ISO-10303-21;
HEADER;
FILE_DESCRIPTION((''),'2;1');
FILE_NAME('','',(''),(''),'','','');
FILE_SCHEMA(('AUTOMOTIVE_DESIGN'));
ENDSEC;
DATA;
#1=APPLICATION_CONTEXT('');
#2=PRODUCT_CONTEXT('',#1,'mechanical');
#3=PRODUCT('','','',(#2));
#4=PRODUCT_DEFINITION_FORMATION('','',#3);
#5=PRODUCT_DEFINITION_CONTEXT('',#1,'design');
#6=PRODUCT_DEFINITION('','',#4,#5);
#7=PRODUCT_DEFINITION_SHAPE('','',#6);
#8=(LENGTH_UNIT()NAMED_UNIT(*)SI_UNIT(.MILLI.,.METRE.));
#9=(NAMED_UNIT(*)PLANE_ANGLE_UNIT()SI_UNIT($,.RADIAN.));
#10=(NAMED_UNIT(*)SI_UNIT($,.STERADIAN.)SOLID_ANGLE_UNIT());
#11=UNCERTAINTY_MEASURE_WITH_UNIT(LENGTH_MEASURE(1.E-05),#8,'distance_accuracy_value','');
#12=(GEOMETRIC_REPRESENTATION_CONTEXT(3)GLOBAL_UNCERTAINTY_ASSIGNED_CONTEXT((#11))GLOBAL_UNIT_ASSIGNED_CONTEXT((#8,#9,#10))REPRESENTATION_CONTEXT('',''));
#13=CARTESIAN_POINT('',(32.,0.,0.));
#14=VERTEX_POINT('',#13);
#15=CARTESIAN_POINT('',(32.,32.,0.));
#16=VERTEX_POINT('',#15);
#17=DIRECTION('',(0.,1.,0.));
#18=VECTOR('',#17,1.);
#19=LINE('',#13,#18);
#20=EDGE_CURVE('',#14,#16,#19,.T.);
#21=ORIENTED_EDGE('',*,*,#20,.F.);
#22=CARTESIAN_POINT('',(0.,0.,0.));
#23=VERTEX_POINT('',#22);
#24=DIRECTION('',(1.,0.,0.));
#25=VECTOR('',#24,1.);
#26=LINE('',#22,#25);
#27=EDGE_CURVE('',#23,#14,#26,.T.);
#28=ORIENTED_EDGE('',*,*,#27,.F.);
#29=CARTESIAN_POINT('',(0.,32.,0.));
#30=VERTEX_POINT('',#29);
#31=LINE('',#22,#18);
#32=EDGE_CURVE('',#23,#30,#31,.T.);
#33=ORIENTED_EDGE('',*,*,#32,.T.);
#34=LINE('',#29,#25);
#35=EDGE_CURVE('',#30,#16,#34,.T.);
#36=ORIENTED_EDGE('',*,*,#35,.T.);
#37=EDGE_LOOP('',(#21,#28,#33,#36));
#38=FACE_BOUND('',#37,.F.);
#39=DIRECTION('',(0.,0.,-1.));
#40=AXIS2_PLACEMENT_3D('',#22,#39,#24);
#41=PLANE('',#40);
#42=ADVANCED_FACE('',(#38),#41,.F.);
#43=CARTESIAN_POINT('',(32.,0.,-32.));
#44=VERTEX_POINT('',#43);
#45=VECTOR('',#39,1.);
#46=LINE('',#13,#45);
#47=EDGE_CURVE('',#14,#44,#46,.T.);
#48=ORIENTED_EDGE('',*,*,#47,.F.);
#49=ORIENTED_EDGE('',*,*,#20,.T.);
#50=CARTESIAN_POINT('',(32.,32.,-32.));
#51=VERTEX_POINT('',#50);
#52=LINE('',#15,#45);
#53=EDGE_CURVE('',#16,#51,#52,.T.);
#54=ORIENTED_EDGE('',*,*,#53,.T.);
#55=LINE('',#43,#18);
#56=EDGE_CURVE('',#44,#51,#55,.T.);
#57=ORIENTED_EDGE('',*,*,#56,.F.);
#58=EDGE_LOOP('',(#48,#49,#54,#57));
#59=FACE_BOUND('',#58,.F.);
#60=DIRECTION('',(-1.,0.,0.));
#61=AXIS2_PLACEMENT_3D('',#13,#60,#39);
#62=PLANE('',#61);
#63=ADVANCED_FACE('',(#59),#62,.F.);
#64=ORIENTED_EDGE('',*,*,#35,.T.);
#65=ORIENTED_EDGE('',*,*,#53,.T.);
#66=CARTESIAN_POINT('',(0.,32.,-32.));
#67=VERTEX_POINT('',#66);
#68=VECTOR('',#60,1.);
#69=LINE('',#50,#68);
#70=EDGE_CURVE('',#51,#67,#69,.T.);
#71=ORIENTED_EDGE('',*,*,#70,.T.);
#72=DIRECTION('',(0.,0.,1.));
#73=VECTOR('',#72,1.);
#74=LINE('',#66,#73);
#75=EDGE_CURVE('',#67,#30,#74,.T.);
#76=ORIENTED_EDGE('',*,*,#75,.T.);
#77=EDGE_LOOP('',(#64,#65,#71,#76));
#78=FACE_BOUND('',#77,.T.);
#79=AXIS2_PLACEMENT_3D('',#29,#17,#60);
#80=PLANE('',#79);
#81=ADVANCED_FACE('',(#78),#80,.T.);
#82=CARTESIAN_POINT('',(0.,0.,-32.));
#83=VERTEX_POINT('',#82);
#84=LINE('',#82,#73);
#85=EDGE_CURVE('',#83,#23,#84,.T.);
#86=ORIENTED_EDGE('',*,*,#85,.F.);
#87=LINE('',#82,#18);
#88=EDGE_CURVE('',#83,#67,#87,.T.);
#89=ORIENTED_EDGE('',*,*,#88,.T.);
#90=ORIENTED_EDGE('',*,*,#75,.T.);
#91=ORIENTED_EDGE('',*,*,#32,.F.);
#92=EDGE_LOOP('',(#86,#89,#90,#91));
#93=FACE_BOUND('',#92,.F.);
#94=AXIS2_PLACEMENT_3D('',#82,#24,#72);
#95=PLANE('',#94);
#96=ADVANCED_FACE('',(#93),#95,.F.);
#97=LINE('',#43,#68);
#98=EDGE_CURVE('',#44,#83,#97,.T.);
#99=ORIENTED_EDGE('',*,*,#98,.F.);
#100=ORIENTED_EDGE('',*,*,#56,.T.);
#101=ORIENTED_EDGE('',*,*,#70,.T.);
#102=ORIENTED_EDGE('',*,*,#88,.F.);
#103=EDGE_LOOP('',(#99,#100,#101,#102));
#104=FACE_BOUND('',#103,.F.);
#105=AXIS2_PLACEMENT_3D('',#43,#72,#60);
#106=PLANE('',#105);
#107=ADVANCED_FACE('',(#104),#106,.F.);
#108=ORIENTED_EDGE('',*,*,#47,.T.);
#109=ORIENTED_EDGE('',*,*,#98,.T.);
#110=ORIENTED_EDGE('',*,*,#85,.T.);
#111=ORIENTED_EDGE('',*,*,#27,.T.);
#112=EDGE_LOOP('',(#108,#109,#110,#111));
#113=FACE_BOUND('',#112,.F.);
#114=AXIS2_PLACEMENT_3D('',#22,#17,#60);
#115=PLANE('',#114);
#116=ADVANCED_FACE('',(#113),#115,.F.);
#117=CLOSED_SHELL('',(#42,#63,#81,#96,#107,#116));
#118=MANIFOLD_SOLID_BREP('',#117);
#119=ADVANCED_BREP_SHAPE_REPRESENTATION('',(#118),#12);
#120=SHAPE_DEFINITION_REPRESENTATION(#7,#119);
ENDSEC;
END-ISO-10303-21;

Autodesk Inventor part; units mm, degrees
ref_plane "YZ Plane" through (0, 0, 0) normal (1, 0, 0) x (0, 1, 0)
ref_plane "XZ Plane" through (0, 0, 0) normal (0, 1, 0) x (-1, 0, 0)
ref_plane "XY Plane" through (0, 0, 0) normal (0, 0, 1) x (1, 0, 0)
sketch "Sketch1" plane through (0, 0, 0) normal (0, 1, 0) x (-1, 0, 0)
  line L0 (0, 0) -> (-32, 0)
  line L1 (-32, 0) -> (-32, -32)
  line L2 (-32, -32) -> (0, -32)
  line L3 (0, -32) -> (0, 0)
  dimension "d0" = 32
  dimension "d1" = 32
extrude "Extrusion1" add sketch "Sketch1" along normal blind 32
properties part number "Square"
